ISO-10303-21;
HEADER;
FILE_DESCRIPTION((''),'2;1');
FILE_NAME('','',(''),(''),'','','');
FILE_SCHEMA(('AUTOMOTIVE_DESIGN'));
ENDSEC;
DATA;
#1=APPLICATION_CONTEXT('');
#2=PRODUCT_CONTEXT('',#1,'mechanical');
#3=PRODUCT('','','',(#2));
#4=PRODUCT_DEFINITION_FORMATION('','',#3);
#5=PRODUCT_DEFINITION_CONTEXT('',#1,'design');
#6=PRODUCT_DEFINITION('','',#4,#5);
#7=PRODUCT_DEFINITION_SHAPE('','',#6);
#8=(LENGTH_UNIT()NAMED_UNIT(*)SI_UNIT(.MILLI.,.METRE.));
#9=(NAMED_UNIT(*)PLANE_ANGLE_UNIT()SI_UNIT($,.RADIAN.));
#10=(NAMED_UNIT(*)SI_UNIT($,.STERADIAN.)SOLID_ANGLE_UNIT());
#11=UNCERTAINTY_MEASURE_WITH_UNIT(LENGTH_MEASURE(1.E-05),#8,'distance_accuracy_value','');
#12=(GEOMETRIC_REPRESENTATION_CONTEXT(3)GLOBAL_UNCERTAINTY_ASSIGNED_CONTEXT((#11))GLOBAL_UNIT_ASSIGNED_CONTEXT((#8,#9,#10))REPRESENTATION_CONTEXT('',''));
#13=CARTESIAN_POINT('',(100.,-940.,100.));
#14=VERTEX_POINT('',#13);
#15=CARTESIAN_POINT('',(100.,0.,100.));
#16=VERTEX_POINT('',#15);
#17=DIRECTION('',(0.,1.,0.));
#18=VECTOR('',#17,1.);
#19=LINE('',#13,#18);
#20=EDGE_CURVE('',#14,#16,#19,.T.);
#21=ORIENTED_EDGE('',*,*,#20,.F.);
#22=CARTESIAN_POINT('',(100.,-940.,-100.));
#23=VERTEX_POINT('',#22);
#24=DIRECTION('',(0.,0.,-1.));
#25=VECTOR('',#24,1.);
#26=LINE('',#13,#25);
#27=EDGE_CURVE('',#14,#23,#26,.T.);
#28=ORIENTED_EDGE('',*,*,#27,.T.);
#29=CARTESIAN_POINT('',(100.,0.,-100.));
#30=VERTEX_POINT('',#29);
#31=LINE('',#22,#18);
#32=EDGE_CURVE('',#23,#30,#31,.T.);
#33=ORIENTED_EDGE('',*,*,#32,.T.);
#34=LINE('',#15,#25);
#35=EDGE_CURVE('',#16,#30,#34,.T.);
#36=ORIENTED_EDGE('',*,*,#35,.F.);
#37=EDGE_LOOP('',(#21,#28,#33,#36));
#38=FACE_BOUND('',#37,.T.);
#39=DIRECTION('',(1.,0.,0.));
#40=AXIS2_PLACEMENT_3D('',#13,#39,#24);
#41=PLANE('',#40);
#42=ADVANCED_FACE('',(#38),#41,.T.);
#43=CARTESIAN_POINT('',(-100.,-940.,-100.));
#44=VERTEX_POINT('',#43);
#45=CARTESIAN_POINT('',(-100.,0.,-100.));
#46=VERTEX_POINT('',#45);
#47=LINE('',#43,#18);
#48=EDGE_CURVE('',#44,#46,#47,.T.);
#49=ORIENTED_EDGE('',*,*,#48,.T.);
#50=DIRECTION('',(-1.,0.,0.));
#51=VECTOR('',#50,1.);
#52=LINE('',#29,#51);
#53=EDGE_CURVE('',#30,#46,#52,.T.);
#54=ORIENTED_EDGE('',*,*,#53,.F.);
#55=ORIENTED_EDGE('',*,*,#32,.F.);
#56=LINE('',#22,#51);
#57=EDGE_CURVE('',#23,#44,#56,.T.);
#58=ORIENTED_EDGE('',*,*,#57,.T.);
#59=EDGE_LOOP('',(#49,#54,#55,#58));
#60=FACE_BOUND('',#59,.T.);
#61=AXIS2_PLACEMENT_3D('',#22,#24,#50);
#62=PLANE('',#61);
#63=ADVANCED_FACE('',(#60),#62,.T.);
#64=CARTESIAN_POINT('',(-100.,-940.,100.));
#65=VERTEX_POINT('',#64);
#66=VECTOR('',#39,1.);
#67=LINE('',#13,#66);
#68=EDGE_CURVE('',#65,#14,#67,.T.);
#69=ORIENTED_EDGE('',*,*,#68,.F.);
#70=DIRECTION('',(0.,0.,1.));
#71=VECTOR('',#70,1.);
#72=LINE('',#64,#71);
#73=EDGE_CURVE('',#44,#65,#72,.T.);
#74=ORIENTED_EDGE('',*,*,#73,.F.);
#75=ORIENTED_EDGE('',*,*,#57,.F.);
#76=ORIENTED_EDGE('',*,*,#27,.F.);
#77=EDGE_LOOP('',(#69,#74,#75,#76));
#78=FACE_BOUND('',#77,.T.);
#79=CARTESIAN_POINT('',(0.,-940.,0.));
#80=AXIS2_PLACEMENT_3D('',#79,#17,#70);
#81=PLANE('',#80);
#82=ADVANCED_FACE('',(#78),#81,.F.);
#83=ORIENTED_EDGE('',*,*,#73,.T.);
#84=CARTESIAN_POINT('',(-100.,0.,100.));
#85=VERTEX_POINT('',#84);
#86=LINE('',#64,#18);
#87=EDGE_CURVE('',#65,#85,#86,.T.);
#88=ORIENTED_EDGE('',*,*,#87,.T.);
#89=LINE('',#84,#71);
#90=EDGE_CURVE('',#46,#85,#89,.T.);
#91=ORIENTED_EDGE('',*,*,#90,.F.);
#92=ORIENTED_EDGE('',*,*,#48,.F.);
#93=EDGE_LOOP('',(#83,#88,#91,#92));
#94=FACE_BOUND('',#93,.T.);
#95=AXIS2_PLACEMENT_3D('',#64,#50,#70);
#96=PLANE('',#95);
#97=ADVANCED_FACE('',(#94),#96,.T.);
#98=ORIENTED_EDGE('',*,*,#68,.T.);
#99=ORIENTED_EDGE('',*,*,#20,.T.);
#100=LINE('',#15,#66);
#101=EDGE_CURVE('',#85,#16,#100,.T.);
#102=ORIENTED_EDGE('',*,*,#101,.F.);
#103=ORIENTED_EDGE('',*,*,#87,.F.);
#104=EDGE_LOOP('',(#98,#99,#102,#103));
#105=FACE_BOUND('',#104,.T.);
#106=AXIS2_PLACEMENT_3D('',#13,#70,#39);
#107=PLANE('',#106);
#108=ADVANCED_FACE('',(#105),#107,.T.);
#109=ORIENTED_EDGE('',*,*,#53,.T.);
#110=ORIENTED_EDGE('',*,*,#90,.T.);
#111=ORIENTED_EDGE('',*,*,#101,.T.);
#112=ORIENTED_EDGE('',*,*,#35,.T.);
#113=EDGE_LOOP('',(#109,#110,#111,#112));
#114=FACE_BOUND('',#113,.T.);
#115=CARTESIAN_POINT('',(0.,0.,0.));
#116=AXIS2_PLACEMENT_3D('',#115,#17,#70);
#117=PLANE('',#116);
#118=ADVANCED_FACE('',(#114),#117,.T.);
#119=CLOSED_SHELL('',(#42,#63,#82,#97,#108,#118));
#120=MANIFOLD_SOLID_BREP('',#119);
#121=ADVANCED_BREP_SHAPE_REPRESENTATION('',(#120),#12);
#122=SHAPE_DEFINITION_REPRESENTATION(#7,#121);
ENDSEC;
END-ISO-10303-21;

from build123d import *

# Parameters (mm, degrees)
SKETCH1_W           = 200
SKETCH1_H           = 200
BOSS_EXTRUDE1_DEPTH = 940


with BuildPart() as part:
    # Sketch1 → Boss-Extrude1 (new body)
    with BuildSketch(Plane(origin=(0, 0, 0), x_dir=(1, 0, 0), z_dir=(0, 1, 0))):
        Rectangle(SKETCH1_W, SKETCH1_H)
    extrude(amount=-BOSS_EXTRUDE1_DEPTH)


solid = part.part
